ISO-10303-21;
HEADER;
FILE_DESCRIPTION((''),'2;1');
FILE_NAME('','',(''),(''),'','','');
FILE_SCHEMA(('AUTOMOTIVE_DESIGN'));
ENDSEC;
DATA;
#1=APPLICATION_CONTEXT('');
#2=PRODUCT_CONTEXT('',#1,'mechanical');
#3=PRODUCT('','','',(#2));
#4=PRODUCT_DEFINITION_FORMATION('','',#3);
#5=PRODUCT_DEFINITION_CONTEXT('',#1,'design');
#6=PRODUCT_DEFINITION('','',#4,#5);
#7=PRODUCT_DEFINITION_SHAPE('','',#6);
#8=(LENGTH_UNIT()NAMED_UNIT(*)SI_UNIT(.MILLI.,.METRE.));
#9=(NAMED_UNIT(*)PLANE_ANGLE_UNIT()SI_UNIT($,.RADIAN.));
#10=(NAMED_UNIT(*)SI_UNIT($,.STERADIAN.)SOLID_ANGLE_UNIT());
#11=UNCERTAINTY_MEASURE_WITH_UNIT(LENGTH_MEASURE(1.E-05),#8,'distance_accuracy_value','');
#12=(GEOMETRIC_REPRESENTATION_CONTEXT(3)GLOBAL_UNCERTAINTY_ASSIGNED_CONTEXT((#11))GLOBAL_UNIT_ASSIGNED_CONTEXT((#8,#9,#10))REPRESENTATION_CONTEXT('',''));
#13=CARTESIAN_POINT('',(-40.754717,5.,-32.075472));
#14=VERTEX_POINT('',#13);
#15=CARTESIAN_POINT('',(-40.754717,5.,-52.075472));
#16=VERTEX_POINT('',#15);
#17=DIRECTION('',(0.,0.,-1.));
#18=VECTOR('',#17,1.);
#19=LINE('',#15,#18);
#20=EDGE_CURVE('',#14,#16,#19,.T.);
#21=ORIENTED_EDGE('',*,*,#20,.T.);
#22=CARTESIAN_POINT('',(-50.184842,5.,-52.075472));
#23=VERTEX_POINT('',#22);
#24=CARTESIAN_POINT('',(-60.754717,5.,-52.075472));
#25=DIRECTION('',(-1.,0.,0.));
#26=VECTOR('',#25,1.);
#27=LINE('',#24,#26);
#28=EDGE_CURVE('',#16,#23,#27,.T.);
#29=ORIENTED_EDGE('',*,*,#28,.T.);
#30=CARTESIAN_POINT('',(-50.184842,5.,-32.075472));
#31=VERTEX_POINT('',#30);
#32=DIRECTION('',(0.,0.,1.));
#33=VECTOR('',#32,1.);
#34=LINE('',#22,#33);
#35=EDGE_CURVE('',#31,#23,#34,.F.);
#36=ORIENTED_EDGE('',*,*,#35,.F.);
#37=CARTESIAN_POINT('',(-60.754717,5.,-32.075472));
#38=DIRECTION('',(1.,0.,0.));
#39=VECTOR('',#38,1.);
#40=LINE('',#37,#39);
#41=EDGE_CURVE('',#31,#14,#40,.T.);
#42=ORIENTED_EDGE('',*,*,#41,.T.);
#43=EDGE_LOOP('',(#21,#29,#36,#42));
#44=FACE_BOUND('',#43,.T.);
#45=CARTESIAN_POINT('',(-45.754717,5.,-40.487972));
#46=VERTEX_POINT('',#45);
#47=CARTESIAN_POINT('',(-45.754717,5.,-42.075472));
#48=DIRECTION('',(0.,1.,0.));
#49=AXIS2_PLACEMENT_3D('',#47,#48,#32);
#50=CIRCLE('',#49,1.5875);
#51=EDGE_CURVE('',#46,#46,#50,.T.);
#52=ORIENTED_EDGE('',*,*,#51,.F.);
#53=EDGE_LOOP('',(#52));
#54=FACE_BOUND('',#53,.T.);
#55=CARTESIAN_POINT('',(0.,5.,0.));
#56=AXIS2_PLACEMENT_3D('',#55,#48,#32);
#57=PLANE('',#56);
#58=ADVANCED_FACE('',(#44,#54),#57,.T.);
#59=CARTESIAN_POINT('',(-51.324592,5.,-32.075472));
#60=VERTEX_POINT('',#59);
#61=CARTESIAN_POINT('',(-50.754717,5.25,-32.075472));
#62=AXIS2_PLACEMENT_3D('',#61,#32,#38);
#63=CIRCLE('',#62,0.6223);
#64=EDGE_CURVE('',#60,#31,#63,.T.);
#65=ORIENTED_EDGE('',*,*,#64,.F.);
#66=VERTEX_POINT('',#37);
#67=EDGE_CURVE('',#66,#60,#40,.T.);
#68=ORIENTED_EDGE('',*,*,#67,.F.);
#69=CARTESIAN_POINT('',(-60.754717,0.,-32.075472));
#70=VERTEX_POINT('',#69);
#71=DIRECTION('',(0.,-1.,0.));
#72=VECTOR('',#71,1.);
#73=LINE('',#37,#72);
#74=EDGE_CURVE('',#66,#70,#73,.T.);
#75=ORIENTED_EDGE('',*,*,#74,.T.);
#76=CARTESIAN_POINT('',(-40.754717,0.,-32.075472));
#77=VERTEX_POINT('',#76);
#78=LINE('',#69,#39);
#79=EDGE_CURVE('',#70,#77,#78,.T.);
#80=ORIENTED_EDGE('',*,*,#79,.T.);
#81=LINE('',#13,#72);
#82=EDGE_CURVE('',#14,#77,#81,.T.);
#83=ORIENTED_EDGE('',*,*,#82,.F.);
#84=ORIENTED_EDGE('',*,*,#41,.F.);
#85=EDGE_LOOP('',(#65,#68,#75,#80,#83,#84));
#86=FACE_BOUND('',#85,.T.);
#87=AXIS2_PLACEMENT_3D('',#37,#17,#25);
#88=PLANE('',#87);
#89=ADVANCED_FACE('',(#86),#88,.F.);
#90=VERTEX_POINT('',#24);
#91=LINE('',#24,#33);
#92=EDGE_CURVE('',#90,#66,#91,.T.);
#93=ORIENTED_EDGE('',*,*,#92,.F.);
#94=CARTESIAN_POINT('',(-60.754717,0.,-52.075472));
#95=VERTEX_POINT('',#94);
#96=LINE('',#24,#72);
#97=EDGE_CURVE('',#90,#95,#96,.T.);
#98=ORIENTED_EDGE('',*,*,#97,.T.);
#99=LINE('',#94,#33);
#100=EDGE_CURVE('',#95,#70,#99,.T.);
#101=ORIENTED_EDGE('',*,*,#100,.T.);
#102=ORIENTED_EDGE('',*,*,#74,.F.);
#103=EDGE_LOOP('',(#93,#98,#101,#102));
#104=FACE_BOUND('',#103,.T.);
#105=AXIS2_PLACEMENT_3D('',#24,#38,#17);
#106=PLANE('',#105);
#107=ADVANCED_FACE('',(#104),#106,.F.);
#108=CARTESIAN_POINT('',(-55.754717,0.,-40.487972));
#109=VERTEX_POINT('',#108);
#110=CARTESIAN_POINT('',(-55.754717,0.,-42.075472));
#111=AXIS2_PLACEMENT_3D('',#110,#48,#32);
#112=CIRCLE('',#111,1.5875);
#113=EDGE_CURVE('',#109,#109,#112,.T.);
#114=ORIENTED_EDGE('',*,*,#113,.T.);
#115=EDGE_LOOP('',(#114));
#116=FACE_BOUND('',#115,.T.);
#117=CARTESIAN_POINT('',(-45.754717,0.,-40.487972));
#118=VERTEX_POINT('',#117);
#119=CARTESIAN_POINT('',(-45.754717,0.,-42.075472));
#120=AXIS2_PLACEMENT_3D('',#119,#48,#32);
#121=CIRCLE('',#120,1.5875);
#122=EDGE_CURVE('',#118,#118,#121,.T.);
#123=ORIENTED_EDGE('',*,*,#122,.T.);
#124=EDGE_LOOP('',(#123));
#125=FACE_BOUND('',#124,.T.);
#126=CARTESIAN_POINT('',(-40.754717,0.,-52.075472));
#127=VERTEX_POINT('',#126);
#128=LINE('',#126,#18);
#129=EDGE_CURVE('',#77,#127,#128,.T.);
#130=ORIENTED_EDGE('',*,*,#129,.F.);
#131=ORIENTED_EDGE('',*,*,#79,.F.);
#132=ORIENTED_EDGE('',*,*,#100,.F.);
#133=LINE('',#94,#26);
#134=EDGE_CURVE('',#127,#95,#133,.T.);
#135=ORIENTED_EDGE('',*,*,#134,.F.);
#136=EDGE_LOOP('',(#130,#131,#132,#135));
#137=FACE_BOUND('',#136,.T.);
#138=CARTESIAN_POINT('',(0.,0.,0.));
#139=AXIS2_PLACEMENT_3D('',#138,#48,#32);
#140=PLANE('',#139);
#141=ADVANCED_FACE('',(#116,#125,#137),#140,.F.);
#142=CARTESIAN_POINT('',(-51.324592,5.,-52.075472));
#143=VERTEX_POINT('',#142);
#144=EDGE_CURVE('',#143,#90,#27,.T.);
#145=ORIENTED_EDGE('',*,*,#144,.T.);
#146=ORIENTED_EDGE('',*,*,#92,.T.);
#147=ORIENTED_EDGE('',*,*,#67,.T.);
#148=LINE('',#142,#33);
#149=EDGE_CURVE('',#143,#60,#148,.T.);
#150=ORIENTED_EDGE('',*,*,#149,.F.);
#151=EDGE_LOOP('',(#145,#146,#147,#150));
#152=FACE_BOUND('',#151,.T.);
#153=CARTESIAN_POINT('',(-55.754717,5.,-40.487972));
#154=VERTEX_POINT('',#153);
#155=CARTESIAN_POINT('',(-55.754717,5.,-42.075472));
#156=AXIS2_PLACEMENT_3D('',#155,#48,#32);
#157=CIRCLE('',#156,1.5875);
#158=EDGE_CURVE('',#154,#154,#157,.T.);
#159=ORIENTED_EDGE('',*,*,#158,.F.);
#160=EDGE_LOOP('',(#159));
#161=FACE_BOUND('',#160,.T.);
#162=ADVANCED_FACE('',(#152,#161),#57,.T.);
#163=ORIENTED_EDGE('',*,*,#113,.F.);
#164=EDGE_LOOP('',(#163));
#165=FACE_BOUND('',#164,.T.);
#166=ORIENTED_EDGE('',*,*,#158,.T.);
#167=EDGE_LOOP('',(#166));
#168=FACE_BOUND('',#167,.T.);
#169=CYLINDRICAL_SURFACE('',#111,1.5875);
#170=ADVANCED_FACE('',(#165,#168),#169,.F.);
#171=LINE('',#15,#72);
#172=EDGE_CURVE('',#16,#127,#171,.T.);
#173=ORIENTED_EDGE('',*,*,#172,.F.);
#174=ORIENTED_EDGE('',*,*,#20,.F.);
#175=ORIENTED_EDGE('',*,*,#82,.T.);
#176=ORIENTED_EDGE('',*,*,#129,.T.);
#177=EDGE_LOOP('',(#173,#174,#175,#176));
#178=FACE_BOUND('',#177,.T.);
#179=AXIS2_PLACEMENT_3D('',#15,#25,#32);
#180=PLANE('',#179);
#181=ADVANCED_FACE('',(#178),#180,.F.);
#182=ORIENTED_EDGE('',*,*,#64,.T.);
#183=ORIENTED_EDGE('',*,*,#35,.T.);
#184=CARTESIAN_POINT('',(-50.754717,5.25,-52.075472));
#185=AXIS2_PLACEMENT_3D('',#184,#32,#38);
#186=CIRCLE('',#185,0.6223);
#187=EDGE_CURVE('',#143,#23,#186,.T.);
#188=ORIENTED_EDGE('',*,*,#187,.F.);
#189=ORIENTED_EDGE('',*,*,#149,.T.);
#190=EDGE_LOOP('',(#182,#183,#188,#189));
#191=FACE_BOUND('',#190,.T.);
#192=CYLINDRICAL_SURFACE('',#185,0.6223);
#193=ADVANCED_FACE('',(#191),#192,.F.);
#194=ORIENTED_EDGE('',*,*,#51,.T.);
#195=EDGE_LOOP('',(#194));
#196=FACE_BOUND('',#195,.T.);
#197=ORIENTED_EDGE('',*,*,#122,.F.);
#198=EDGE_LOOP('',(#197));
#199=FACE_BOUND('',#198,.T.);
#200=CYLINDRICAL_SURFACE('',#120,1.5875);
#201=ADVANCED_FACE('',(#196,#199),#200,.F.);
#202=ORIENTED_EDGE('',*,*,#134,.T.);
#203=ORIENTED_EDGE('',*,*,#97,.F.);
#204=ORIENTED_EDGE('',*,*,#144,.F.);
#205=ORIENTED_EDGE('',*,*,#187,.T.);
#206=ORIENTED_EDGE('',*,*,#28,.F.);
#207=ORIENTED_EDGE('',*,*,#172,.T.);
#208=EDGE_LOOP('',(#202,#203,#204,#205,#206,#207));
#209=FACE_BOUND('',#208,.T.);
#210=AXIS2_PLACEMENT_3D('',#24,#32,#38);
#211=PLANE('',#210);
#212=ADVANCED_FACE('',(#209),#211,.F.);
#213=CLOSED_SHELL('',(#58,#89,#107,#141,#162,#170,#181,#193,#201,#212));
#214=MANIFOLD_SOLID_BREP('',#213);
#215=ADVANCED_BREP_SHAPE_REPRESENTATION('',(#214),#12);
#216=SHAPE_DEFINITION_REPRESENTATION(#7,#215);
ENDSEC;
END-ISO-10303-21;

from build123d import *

# Parameters (mm, degrees)
SKETCH1_W           = 20
SKETCH1_H           = 20
BOSS_EXTRUDE1_DEPTH = 5
SKETCH2_R           = 0.6223
CUT_EXTRUDE1_DEPTH  = 65.157116795
SKETCH3_R           = 1.5875
CUT_EXTRUDE2_DEPTH  = 81.174749068


with BuildPart() as part:
    # Sketch1 → Boss-Extrude1 (new body)
    with BuildSketch(Plane(origin=(0, 0, 0), x_dir=(1, 0, 0), z_dir=(0, 1, 0))):
        with Locations((-50.754716981, 42.075471698)):
            Rectangle(SKETCH1_W, SKETCH1_H)
    extrude(amount=BOSS_EXTRUDE1_DEPTH)

    # Sketch2 → Cut-Extrude1 (cut, through all)
    with BuildSketch(Plane.XY.offset(-32.075471698)):
        with Locations((-50.754716981, 5.25)):
            Circle(SKETCH2_R)
    extrude(amount=-CUT_EXTRUDE1_DEPTH, mode=Mode.SUBTRACT)

    # Sketch3 → Cut-Extrude2 (cut, through all)
    with BuildSketch(Plane(origin=(0, 5, 0), x_dir=(1, 0, 0), z_dir=(0, 1, 0))):
        with Locations(Location((-55.754716981, 42.075471698, 0), (0, 0, 270))):
            Circle(SKETCH3_R)
        with Locations(Location((-45.754716981, 42.075471698, 0), (0, 0, 270))):
            Circle(SKETCH3_R)
    extrude(amount=-CUT_EXTRUDE2_DEPTH, mode=Mode.SUBTRACT)


solid = part.part
